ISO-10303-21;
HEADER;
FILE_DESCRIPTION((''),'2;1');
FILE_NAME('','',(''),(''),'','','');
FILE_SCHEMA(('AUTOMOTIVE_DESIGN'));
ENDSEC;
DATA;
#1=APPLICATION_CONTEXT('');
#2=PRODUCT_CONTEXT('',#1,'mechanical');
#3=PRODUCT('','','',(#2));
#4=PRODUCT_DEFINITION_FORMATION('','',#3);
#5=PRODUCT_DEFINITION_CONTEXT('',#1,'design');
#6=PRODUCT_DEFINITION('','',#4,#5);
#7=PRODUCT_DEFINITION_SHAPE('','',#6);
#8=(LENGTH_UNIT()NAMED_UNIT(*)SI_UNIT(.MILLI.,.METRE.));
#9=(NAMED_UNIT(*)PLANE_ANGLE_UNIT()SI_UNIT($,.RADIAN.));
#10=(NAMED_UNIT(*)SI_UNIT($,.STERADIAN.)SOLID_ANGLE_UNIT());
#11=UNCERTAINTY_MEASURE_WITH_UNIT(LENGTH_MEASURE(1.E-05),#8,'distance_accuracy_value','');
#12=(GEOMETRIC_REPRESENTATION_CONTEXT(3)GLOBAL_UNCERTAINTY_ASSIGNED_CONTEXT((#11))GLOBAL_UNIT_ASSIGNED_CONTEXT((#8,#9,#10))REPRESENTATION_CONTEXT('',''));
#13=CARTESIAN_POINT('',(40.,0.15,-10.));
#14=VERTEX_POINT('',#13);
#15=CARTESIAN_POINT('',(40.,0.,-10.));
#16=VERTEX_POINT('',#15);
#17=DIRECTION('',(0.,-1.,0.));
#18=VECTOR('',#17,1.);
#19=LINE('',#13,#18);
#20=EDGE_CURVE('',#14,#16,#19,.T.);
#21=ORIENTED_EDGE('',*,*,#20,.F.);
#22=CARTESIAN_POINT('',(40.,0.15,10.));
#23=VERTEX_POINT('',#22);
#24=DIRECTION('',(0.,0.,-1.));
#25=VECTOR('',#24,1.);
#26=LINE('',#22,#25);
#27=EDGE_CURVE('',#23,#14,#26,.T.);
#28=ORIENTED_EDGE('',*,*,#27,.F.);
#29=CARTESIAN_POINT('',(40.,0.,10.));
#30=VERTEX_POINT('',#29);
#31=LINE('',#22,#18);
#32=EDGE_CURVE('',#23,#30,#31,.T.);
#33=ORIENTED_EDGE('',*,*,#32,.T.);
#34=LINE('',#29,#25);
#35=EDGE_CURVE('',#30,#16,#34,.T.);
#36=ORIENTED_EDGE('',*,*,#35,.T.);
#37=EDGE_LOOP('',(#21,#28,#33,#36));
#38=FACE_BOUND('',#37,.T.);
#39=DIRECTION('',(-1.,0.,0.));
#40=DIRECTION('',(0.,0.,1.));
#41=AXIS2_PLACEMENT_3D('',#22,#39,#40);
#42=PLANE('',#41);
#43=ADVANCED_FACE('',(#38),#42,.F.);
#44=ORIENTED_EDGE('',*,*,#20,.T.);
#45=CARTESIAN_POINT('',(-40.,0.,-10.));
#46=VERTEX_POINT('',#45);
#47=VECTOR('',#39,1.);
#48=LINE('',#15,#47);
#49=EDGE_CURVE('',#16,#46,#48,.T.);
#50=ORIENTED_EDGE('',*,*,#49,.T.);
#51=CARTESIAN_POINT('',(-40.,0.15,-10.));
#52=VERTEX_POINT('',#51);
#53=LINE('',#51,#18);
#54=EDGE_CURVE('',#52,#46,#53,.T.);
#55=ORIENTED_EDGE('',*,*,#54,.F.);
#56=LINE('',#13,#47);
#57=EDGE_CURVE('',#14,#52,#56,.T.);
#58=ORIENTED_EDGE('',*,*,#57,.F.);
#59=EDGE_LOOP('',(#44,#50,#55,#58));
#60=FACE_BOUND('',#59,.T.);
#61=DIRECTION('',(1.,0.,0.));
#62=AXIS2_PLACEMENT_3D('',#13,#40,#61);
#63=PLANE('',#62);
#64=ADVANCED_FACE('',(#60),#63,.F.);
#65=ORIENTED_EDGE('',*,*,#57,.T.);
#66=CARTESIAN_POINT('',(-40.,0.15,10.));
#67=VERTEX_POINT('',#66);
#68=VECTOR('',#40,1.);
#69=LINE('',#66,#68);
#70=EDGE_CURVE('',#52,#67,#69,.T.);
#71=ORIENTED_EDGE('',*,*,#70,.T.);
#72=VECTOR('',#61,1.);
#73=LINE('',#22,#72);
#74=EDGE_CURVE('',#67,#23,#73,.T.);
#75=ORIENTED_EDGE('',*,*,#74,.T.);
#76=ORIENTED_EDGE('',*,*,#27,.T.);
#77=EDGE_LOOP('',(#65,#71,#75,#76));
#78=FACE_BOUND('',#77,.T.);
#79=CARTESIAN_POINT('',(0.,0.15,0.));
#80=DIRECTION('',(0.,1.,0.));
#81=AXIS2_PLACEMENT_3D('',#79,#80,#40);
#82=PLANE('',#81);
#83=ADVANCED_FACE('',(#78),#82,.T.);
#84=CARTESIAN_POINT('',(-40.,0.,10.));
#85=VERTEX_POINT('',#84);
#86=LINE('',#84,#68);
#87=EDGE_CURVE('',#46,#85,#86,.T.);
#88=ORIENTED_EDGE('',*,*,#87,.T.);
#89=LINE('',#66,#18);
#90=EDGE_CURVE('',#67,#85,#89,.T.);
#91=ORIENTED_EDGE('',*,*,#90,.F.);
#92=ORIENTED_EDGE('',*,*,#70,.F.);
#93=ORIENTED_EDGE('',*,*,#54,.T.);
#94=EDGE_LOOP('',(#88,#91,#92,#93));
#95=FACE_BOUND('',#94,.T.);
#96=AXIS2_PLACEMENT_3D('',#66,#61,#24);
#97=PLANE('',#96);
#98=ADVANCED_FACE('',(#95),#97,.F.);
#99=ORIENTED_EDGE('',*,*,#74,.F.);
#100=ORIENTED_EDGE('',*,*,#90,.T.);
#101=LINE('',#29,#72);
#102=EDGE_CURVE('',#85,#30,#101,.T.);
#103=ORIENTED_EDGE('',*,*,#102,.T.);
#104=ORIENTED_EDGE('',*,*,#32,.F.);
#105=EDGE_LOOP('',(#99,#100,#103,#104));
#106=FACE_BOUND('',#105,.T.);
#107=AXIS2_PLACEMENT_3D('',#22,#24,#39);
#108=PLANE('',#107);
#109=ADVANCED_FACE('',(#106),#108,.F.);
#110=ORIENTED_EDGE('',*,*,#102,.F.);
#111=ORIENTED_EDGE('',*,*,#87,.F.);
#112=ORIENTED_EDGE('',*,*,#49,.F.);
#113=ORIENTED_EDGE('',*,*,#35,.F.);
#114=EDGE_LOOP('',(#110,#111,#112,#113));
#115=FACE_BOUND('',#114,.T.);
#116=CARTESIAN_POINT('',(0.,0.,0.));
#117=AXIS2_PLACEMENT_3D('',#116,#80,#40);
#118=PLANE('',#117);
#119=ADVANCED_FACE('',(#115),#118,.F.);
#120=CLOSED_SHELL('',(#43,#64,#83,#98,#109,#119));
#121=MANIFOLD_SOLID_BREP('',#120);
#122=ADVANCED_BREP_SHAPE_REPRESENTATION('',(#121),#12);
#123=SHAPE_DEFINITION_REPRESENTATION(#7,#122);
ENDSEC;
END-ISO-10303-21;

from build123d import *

# Parameters (mm, degrees)
SKETCH1_W           = 80
SKETCH1_H           = 20
BOSS_EXTRUDE1_DEPTH = 0.15


with BuildPart() as part:
    # Sketch1 → Boss-Extrude1 (new body)
    with BuildSketch(Plane(origin=(0, 0, 0), x_dir=(1, 0, 0), z_dir=(0, 1, 0))):
        Rectangle(SKETCH1_W, SKETCH1_H)
    extrude(amount=BOSS_EXTRUDE1_DEPTH)


solid = part.part
